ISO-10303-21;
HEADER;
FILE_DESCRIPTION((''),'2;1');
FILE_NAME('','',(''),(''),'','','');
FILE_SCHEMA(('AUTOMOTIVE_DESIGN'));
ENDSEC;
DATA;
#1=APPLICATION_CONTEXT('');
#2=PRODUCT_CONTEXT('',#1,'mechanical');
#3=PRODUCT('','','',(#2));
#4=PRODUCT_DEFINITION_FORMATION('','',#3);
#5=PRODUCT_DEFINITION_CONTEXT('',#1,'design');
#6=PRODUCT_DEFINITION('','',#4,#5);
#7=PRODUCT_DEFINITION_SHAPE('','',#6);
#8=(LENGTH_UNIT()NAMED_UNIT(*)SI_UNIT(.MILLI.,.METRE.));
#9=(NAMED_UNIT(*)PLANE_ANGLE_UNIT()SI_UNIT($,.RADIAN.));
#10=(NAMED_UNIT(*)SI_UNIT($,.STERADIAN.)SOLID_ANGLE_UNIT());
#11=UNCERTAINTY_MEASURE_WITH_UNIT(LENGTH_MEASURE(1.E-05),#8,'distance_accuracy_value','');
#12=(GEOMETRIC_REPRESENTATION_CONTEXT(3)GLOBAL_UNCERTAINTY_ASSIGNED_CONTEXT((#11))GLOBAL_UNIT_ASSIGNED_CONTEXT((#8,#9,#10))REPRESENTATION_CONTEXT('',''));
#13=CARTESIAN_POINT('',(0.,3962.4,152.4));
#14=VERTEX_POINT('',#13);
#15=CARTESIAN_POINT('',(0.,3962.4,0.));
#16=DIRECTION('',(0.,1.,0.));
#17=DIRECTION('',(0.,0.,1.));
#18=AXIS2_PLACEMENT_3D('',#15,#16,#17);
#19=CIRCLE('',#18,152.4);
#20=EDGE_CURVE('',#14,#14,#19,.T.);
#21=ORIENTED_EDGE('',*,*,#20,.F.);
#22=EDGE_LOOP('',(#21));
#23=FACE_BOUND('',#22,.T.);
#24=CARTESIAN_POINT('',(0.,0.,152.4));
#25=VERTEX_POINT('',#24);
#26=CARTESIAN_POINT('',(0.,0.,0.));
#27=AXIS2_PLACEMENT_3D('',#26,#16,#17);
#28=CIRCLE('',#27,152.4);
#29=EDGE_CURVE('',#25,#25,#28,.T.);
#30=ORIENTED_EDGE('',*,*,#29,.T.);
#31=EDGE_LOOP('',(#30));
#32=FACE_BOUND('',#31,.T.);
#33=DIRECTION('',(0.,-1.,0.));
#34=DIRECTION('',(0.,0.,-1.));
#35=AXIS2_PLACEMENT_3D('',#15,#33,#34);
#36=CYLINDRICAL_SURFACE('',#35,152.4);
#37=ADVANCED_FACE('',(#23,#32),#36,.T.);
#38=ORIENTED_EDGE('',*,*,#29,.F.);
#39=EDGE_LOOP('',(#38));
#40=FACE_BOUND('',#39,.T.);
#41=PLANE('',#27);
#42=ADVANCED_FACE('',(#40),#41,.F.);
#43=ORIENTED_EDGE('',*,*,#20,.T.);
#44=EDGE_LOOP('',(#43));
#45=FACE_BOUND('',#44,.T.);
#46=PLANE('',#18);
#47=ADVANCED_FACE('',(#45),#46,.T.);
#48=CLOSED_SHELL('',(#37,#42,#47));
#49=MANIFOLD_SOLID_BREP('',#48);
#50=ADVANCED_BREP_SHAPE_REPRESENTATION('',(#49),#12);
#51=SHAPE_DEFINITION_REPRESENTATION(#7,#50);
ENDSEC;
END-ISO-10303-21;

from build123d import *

# Parameters (mm, degrees)
SKETCH1_R           = 152.4
BOSS_EXTRUDE1_DEPTH = 3962.4


with BuildPart() as part:
    # Sketch1 → Boss-Extrude1 (new body)
    with BuildSketch(Plane(origin=(0, 0, 0), x_dir=(1, 0, 0), z_dir=(0, 1, 0))):
        Circle(SKETCH1_R)
    extrude(amount=BOSS_EXTRUDE1_DEPTH)


solid = part.part
